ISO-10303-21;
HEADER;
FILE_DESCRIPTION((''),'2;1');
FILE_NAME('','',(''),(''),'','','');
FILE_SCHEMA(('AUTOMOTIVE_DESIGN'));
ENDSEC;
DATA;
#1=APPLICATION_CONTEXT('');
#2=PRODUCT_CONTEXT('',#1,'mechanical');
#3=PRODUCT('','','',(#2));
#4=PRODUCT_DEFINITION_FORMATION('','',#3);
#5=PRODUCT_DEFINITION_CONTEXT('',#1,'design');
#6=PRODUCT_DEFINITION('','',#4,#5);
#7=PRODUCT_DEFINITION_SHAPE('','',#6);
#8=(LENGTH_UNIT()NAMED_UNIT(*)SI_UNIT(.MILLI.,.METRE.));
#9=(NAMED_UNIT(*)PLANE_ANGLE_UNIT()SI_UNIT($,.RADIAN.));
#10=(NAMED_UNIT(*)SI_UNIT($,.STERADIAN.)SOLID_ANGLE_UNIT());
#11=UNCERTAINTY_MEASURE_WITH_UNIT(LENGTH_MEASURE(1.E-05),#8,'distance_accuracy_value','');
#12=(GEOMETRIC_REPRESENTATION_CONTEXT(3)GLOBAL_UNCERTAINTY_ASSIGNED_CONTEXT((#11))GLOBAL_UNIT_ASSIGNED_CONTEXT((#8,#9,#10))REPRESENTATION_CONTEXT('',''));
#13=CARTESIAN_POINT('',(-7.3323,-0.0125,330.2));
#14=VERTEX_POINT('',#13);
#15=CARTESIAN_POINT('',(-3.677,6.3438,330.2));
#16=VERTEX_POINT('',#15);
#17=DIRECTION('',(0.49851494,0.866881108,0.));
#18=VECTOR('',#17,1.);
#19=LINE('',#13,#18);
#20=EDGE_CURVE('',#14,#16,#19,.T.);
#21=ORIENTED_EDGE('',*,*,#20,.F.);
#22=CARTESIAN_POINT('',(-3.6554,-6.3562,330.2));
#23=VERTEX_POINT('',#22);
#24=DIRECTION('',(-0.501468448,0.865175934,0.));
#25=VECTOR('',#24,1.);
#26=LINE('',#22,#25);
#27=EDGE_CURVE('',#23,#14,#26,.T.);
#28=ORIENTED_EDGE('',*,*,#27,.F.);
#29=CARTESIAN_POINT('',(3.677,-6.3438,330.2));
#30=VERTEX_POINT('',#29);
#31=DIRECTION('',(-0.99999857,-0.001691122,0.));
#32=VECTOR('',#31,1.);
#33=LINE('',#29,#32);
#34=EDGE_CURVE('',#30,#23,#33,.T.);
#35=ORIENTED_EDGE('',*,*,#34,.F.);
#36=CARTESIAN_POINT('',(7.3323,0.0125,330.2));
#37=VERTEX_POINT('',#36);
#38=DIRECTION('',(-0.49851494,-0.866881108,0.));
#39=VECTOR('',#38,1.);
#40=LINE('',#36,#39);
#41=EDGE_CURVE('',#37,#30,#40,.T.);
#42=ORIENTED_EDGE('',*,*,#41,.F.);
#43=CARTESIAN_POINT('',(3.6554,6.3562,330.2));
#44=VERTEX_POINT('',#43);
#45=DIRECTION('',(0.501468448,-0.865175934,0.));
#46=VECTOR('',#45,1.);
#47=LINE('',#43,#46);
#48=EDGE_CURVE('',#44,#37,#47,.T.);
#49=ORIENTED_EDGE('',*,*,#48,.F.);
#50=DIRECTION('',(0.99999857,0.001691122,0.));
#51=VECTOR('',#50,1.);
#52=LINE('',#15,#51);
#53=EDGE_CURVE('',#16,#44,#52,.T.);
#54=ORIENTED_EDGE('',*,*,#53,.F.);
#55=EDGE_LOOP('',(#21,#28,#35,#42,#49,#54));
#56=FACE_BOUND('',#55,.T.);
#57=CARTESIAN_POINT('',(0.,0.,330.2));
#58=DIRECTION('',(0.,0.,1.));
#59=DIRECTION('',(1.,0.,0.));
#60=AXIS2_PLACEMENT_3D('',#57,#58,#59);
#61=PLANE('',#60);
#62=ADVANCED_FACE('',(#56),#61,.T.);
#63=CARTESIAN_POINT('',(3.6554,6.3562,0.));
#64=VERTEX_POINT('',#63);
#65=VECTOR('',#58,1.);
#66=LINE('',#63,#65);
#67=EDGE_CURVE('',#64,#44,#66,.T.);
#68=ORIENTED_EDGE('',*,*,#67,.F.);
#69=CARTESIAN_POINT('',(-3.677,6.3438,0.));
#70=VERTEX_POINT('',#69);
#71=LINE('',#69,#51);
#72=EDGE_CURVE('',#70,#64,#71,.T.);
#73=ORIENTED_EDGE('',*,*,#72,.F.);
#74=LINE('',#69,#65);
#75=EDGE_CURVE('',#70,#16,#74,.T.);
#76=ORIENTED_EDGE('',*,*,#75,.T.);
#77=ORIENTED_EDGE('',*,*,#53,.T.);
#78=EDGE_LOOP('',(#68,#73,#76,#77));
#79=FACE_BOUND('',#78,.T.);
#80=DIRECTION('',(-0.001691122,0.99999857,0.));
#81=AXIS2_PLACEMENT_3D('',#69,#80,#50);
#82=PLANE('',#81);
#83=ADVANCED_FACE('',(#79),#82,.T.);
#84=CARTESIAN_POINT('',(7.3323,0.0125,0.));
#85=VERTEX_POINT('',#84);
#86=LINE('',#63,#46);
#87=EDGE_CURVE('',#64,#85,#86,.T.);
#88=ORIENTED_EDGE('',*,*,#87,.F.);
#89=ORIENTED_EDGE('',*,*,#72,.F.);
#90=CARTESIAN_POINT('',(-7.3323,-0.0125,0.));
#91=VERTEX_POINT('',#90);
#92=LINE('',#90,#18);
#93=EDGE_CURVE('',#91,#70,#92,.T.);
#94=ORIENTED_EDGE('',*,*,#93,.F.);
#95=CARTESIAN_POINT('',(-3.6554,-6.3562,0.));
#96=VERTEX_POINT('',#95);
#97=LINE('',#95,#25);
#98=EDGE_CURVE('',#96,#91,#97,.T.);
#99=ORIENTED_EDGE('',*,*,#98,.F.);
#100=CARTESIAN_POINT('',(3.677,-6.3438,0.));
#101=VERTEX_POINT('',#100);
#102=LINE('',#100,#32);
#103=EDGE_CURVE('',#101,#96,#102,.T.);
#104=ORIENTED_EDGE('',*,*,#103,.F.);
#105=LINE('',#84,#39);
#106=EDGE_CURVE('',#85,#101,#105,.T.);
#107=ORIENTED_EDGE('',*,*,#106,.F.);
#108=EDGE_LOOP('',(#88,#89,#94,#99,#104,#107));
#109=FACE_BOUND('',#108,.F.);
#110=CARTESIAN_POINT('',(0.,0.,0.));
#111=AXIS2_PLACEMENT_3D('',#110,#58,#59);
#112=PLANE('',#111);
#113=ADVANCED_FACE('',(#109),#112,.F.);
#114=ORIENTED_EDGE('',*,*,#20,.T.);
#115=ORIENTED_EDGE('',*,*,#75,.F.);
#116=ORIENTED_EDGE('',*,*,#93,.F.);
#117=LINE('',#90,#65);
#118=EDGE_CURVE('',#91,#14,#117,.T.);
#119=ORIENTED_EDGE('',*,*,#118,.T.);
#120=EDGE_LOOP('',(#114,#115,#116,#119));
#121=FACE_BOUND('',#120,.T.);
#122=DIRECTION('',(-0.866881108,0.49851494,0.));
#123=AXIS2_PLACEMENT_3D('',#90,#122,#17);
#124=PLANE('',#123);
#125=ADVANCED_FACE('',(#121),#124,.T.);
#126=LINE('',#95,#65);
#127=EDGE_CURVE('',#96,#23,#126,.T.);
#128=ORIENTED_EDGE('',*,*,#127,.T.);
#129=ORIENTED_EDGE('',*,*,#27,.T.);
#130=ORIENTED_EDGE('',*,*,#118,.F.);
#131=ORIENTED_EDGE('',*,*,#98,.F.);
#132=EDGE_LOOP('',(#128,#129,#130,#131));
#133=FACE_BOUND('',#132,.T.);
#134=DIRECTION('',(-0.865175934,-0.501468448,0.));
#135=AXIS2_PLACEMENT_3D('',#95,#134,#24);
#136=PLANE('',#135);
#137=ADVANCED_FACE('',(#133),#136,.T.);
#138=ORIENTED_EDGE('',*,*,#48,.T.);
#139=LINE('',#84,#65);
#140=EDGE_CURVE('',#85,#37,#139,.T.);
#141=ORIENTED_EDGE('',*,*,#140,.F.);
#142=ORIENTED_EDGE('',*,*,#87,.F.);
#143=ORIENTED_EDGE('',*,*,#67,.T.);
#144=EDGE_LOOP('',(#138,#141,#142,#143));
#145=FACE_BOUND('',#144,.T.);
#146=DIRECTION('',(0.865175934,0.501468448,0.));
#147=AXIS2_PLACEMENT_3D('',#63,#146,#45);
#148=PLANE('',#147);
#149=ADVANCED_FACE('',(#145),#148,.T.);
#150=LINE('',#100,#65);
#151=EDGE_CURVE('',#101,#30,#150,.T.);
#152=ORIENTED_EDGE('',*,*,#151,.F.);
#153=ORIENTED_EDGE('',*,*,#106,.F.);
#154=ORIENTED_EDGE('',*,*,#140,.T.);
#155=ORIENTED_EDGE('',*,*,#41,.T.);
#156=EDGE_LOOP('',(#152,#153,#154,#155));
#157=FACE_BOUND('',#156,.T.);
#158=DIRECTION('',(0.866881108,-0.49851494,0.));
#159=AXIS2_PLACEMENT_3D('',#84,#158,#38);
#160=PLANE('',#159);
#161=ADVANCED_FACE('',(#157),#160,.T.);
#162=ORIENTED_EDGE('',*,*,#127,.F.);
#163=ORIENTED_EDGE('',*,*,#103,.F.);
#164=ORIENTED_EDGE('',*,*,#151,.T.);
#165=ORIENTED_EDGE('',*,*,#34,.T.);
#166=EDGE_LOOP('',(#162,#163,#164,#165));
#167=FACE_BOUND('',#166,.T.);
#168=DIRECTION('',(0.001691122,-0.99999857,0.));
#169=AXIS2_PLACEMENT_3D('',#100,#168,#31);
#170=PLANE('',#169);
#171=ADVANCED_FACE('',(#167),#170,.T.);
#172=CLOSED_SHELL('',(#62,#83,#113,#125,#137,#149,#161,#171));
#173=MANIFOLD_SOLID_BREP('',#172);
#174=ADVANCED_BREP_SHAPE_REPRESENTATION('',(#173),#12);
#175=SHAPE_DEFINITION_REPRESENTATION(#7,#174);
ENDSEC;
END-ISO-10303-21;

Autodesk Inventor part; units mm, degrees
ref_plane "YZ Plane" through (0, 0, 0) normal (1, 0, 0) x (0, 1, 0)
ref_plane "XZ Plane" through (0, 0, 0) normal (0, 1, 0) x (-1, 0, 0)
ref_plane "XY Plane" through (0, 0, 0) normal (0, 0, 1) x (1, 0, 0)
sketch "Sketch1" plane through (0, 0, 0) normal (0, 0, 1) x (1, 0, 0)
  line L0 (3.6554, 6.3562) -> (7.3323, 0.0125)
  line L1 (7.3323, 0.0125) -> (3.677, -6.3438)
  line L2 (3.677, -6.3438) -> (-3.6554, -6.3562)
  line L3 (-3.6554, -6.3562) -> (-7.3323, -0.0125)
  line L4 (-7.3323, -0.0125) -> (-3.677, 6.3438)
  line L5 (-3.677, 6.3438) -> (3.6554, 6.3562)
  point P0 (0, 0)
  point P1 (0, 0)
  dimension "d0" = 12.7
extrude "Extrusion1" add sketch "Sketch1" along normal blind 330.2
properties part number "CAR_035_KickerShaft" material "Aluminum 6061"
